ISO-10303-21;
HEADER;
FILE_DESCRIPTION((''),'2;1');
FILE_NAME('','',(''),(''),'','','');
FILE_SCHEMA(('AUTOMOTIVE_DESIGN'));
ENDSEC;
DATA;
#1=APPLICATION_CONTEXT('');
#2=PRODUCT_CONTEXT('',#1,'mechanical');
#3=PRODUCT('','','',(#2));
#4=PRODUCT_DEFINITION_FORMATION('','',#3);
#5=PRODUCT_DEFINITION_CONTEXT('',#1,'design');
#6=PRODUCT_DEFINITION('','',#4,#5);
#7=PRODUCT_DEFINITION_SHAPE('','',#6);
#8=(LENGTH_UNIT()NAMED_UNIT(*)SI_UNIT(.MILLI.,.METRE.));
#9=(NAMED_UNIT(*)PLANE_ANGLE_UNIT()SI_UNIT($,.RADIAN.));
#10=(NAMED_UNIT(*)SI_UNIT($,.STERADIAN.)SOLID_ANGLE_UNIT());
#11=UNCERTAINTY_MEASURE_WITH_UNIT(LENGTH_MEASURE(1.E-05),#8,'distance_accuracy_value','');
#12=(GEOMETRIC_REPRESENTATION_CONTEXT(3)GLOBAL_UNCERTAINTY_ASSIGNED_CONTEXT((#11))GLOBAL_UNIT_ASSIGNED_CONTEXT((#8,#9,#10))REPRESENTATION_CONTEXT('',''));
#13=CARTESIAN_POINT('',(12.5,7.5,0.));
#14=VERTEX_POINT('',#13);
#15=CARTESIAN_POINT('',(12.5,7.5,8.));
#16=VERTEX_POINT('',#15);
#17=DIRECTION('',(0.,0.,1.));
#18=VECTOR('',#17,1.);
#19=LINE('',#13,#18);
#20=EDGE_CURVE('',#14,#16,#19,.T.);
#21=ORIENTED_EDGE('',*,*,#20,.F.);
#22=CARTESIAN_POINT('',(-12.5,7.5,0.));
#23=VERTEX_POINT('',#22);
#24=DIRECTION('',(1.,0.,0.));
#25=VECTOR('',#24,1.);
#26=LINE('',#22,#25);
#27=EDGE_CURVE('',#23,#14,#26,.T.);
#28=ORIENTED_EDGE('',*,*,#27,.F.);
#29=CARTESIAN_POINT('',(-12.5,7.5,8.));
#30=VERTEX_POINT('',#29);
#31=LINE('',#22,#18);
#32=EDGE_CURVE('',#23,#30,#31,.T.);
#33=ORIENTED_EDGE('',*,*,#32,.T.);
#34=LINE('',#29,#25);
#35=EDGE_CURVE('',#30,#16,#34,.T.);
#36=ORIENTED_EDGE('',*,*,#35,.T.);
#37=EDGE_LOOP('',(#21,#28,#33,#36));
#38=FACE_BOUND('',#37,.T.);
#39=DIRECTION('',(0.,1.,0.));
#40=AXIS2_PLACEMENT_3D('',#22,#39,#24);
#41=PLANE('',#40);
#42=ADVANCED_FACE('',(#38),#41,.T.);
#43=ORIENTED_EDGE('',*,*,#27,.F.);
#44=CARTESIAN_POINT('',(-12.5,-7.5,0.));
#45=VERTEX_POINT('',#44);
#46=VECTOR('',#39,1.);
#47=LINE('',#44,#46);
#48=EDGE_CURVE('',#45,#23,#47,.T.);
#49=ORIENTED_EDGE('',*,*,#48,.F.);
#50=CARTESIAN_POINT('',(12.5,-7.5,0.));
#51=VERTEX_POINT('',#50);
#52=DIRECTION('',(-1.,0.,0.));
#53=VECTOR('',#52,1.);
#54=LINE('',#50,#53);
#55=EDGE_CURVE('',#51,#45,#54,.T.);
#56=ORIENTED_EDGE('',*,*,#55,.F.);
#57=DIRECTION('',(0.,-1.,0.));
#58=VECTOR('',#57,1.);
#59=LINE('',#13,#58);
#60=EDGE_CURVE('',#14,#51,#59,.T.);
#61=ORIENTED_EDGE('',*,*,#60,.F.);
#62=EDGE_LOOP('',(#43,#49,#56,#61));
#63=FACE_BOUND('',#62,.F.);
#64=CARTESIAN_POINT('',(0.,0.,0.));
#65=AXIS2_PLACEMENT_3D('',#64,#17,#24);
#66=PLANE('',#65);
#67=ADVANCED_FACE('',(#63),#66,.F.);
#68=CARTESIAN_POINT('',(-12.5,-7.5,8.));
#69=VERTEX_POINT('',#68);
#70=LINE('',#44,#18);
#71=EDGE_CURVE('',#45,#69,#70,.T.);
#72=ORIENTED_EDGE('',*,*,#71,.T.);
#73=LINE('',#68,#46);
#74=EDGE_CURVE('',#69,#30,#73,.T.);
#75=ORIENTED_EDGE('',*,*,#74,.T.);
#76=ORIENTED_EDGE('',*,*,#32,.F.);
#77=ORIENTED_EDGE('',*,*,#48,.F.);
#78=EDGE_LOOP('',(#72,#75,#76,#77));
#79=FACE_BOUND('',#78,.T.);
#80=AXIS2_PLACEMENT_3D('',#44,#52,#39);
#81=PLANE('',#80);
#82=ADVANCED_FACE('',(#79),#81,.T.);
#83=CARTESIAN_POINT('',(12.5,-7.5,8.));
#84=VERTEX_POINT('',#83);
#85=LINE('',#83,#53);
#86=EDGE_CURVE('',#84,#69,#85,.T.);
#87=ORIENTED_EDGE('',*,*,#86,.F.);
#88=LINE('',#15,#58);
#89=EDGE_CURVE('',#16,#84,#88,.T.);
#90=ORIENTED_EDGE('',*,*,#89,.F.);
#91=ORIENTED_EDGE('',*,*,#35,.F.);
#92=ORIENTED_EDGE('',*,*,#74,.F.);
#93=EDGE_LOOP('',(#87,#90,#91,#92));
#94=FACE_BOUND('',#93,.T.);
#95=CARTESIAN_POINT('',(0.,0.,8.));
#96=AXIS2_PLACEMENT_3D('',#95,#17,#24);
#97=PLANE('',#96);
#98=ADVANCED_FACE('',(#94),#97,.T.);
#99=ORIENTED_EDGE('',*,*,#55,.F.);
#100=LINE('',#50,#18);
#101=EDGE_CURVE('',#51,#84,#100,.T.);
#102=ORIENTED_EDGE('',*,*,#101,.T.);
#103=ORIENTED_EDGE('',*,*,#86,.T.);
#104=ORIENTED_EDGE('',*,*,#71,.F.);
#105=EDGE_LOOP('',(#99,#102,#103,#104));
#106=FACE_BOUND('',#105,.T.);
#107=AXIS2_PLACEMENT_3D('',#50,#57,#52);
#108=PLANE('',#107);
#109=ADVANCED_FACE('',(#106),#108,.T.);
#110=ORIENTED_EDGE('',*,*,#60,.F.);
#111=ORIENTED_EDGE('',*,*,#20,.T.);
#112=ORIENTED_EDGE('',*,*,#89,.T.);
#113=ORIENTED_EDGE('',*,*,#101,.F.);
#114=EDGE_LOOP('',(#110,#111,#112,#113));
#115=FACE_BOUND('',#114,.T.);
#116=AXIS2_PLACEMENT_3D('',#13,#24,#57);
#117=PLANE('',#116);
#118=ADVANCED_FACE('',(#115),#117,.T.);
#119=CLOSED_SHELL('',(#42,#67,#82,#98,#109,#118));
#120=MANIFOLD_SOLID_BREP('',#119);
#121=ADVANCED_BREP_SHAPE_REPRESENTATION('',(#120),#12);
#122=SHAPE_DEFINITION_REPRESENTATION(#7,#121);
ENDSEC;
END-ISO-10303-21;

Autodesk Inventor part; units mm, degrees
ref_plane "YZ Plane" through (0, 0, 0) normal (1, 0, 0) x (0, 1, 0)
ref_plane "XZ Plane" through (0, 0, 0) normal (0, 1, 0) x (-1, 0, 0)
ref_plane "XY Plane" through (0, 0, 0) normal (0, 0, 1) x (1, 0, 0)
sketch "Sketch1" plane through (0, 0, 0) normal (0, 0, 1) x (1, 0, 0)
  line L0 (-12.5, 7.5) -> (12.5, 7.5)
  line L1 (12.5, 7.5) -> (12.5, -7.5)
  line L2 (12.5, -7.5) -> (-12.5, -7.5)
  line L3 (-12.5, -7.5) -> (-12.5, 7.5)
  point P0 (0, 0)
  point P1 (-12.5, 0)
  point P2 (0, 7.5)
  dimension "d0" = 15
  dimension "d1" = 25
extrude "Extrusion1" add sketch "Sketch1" along normal blind 8
properties part number "0005-10-029 Activator Senzor Z"
